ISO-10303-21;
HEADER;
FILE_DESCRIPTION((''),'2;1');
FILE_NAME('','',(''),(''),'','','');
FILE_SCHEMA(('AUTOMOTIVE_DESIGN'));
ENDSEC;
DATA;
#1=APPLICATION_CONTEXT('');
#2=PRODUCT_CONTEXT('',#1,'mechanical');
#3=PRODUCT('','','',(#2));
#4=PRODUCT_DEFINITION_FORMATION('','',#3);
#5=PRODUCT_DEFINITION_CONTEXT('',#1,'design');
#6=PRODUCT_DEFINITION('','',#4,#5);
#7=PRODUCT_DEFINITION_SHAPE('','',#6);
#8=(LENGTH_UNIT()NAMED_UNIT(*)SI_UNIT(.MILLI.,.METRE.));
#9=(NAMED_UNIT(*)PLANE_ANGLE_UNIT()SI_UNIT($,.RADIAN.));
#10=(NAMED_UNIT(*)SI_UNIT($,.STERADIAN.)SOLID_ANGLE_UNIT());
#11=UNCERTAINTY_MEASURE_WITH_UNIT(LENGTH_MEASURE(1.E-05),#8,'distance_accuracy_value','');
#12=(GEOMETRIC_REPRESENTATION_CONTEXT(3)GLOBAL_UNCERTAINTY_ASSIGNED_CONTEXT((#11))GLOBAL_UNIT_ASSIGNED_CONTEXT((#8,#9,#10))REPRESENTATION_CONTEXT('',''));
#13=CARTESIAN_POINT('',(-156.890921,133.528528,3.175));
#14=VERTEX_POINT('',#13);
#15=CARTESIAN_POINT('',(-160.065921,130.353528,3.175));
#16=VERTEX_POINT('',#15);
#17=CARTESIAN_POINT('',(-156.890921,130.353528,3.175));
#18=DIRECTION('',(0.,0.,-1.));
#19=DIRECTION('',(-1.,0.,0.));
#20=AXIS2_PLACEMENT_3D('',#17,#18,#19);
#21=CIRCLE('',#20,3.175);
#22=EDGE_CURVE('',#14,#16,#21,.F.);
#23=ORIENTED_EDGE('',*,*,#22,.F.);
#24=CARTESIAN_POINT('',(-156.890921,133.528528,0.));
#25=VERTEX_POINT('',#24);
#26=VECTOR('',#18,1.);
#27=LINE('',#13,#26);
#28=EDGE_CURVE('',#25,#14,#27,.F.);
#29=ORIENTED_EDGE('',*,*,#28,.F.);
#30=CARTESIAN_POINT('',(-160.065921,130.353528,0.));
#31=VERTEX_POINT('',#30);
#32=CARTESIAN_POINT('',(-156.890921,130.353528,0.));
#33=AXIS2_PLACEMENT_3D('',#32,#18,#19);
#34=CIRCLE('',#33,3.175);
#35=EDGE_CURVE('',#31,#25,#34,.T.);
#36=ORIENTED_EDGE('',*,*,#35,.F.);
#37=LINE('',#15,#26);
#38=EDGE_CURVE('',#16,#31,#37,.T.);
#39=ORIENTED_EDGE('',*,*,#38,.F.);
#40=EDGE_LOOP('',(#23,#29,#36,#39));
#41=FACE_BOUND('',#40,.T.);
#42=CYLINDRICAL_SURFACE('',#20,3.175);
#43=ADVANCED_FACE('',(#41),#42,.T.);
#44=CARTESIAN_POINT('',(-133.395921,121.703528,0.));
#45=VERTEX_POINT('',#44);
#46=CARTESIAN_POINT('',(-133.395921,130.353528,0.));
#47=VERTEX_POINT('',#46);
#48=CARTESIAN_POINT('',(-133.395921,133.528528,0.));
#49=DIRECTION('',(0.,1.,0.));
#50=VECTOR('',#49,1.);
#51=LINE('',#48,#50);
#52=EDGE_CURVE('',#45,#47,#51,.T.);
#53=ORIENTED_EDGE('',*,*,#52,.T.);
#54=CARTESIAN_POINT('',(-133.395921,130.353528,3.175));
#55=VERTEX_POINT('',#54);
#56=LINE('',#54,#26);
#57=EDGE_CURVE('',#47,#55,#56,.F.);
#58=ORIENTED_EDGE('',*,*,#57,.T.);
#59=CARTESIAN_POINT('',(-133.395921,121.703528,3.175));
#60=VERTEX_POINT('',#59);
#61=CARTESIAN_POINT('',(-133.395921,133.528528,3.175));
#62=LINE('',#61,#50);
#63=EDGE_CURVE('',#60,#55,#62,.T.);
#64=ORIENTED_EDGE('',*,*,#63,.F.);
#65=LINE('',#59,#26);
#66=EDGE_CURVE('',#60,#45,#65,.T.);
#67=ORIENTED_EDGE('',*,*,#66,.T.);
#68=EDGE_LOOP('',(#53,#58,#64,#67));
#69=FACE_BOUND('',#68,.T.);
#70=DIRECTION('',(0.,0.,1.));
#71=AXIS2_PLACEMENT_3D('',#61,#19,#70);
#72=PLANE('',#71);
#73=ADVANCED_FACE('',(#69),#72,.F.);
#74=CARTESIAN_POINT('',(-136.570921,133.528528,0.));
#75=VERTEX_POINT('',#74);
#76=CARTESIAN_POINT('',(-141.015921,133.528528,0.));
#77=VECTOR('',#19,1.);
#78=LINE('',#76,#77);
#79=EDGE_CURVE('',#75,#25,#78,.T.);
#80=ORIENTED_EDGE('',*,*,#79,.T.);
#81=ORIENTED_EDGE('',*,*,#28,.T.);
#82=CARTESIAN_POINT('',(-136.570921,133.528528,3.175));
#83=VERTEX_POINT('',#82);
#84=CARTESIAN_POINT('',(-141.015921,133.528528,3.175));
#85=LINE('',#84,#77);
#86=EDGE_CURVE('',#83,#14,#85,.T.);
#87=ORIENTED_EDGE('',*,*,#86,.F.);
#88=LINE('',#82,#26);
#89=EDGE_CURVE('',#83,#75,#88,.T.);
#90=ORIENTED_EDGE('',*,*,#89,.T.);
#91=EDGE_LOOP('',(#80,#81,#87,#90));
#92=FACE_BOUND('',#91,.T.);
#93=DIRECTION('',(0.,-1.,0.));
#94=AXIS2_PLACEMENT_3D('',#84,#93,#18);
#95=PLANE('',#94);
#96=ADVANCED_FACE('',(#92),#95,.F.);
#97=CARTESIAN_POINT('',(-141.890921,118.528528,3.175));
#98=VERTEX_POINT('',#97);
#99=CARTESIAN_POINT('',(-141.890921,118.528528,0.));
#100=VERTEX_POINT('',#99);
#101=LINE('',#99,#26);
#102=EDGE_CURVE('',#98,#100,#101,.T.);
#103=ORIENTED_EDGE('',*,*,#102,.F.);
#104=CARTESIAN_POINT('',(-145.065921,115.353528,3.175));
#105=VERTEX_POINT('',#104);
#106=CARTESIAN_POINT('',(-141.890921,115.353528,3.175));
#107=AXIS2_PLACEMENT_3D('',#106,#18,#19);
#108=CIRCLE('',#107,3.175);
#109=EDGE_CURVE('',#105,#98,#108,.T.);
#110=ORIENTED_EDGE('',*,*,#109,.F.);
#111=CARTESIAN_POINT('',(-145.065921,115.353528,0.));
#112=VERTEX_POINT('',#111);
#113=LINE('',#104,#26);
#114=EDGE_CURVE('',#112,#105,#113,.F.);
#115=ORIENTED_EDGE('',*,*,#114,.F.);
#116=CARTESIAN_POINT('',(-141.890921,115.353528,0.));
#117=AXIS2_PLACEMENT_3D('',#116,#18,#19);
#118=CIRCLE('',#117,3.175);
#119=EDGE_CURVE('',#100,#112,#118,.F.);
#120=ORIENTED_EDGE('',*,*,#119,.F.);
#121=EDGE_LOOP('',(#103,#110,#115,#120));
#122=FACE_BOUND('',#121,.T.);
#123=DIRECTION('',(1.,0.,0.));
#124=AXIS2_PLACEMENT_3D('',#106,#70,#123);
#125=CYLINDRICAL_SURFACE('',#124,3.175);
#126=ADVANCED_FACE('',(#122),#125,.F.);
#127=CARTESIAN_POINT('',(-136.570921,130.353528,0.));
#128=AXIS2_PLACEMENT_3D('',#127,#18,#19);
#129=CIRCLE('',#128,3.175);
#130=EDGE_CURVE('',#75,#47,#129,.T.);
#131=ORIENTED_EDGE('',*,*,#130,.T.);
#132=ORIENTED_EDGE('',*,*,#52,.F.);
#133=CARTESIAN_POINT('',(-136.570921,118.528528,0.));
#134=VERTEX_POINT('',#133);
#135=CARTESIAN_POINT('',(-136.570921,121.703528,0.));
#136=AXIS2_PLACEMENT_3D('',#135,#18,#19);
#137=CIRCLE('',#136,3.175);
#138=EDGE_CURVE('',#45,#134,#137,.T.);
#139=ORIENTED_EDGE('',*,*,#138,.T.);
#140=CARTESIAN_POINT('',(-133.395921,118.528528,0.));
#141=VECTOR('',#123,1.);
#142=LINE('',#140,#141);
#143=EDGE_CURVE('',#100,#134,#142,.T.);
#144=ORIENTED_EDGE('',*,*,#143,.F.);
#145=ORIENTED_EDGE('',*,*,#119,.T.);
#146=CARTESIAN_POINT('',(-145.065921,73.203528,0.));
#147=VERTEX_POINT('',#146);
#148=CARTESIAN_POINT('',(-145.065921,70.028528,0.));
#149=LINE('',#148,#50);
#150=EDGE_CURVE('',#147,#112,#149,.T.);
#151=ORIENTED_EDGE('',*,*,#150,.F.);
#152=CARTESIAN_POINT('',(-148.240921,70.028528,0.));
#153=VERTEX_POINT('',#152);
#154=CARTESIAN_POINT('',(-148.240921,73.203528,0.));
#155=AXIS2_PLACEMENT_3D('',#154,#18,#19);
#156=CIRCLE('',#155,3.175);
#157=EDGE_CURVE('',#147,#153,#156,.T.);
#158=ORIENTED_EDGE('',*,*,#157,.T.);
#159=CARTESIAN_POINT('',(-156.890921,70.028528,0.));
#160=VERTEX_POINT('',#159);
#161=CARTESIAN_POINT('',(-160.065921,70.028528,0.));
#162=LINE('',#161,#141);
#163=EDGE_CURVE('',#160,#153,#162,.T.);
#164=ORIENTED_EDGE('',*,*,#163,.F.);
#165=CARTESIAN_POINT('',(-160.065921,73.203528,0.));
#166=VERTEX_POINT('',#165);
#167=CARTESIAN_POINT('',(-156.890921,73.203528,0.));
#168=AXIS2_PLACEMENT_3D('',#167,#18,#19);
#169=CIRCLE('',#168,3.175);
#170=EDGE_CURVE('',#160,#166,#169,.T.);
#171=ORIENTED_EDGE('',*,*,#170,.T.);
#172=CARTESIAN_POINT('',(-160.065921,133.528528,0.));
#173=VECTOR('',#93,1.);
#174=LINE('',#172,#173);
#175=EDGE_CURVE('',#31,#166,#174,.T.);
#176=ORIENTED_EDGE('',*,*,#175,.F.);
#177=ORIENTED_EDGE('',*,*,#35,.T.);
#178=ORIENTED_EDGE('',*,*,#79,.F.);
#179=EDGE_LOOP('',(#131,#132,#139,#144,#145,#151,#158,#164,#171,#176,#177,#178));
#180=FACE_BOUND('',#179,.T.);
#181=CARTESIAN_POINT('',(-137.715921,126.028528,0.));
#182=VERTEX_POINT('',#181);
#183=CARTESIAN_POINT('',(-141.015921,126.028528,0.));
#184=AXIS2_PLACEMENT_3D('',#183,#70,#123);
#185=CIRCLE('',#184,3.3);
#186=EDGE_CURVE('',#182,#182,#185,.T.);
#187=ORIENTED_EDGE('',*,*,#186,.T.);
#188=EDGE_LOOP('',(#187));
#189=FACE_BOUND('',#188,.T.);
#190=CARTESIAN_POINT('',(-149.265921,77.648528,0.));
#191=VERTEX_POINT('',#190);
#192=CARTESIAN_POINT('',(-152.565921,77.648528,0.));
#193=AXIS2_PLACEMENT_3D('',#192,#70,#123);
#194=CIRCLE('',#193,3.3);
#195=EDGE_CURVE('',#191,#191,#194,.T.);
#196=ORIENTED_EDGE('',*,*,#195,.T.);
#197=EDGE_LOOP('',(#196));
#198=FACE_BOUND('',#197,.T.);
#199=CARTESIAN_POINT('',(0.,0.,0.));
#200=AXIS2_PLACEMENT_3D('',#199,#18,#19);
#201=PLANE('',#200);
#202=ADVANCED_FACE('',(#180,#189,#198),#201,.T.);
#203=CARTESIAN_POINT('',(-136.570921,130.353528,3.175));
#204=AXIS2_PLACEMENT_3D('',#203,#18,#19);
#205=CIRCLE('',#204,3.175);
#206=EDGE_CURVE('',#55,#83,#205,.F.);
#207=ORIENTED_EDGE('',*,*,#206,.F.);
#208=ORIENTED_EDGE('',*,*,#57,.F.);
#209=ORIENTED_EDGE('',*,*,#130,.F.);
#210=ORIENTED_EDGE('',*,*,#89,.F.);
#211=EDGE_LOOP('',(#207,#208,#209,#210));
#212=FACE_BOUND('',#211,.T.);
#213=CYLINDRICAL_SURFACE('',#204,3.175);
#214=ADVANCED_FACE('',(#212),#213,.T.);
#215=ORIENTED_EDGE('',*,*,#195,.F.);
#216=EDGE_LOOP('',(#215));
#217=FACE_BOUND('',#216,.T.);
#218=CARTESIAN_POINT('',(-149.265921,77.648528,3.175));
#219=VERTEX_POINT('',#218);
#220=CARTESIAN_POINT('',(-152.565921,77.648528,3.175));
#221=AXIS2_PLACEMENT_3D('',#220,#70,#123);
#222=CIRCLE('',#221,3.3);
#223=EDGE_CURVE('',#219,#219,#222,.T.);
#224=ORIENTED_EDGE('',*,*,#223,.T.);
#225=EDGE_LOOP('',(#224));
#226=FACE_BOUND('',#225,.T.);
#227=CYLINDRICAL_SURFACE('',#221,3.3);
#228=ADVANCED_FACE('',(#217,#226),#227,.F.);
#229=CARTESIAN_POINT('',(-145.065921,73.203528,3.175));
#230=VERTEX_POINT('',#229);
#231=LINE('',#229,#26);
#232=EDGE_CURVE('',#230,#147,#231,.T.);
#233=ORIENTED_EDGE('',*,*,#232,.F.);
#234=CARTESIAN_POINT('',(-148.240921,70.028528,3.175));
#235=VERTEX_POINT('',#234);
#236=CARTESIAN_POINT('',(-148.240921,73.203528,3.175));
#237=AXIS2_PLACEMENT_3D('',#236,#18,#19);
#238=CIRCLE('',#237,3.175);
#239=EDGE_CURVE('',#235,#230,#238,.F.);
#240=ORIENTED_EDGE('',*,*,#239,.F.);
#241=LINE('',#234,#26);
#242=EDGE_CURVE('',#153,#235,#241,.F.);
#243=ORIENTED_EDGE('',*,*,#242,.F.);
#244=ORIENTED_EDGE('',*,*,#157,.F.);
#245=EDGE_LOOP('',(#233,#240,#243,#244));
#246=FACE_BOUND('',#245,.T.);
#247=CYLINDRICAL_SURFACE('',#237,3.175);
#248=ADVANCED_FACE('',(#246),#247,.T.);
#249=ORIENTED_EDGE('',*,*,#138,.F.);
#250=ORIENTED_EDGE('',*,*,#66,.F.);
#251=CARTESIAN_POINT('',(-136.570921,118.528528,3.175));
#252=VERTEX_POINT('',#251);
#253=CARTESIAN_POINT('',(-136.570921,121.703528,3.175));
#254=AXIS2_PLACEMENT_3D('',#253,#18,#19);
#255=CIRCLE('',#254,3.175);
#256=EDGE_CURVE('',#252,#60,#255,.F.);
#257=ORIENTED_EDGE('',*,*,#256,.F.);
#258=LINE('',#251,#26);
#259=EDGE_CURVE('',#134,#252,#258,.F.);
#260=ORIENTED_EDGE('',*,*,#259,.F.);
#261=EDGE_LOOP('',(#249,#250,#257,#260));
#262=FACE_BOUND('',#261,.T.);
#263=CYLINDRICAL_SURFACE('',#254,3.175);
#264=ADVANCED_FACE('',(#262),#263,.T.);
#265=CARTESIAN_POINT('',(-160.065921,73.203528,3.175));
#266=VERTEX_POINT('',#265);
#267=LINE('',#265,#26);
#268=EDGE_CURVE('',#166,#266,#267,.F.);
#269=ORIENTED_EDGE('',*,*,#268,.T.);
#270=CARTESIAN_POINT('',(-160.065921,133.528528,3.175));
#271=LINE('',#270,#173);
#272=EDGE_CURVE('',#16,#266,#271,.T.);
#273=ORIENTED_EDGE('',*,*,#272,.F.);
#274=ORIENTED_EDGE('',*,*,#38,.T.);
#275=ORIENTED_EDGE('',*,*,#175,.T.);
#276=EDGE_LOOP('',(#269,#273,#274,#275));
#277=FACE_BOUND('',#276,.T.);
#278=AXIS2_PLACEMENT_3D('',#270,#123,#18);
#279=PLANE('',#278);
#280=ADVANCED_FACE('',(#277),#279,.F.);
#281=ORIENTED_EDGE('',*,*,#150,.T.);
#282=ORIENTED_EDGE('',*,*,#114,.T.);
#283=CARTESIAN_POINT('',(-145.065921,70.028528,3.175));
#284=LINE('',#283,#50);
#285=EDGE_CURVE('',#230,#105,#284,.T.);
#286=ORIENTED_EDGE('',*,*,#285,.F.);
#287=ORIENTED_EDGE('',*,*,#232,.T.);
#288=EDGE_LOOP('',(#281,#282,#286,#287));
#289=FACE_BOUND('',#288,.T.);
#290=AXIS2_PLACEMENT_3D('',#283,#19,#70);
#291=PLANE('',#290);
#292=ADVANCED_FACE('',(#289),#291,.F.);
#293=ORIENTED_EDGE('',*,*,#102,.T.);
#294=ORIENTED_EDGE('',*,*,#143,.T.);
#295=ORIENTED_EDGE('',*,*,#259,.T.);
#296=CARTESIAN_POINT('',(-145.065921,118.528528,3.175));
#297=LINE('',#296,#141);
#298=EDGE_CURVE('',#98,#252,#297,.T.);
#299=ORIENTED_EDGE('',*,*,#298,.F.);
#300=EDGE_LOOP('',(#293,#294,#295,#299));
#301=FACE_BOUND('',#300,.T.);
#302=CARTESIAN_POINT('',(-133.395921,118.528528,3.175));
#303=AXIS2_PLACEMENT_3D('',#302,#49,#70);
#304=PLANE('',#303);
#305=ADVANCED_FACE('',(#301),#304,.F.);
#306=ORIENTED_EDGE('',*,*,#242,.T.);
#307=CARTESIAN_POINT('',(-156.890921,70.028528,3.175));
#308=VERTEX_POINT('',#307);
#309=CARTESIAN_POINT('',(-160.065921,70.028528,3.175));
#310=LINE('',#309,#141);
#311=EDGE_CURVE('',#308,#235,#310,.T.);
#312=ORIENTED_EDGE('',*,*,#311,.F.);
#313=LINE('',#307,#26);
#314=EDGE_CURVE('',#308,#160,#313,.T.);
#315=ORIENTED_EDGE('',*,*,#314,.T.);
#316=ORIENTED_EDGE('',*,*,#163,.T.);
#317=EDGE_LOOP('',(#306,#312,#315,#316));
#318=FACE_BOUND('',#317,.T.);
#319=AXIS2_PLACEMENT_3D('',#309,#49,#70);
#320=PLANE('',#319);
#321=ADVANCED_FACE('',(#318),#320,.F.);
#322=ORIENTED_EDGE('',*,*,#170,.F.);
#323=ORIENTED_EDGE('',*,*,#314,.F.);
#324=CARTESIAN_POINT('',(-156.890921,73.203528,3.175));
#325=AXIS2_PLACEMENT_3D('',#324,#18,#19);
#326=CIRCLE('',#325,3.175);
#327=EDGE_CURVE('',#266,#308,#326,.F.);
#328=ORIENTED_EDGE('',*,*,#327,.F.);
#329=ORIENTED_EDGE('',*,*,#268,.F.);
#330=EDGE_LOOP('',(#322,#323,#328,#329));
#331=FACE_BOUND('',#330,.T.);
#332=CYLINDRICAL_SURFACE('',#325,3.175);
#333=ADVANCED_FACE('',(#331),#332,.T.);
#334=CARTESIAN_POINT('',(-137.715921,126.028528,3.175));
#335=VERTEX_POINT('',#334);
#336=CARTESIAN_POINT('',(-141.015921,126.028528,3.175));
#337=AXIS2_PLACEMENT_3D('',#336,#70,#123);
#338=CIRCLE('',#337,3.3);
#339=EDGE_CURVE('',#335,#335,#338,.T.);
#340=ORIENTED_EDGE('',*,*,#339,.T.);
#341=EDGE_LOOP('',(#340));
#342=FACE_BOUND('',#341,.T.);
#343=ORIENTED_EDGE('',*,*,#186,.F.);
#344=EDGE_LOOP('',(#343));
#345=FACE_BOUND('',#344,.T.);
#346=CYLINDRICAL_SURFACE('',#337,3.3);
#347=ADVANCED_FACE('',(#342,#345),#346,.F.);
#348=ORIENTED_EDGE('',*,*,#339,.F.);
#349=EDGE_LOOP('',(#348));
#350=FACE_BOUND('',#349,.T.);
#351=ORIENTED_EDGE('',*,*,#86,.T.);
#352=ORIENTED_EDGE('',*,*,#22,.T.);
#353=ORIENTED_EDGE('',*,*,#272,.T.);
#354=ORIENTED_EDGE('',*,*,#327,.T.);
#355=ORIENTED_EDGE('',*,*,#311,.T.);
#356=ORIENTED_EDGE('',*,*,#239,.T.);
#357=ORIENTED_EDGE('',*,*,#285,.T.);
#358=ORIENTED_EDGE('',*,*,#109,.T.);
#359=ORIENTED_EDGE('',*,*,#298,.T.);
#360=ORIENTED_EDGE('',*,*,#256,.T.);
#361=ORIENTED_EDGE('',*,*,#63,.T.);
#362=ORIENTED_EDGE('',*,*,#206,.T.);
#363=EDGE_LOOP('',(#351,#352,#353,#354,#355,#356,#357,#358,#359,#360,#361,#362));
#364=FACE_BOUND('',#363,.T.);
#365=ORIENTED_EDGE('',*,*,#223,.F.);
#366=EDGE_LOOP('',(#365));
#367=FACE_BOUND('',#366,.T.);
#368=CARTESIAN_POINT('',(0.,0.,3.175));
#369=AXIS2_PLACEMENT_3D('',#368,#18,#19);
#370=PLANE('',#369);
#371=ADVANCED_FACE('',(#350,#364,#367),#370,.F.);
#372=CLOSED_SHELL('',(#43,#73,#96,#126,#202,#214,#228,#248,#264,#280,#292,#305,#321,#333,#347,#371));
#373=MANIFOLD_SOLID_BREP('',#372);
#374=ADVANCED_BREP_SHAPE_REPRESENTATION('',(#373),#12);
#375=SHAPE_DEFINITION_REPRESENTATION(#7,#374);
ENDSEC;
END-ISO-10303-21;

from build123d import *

# Parameters (mm, degrees)
BOSS_EXTRUDE1_DEPTH  = 3.175
M6_CLEARANCE_HOLE1_D = 6.6
FILLET1_R            = 3.175


with BuildPart() as part:
    # Sketch1 → Boss-Extrude1 (new body)
    with BuildSketch(Plane.XY):
        Polygon((-141.015921324, 133.528527902), (-133.395921324, 133.528527902), (-133.395921324, 118.528527902), (-141.015921324, 118.528527902), (-145.065921324, 118.528527902), (-145.065921324, 70.028527902), (-160.065921324, 70.028527902), (-160.065921324, 133.528527902), align=None)
    extrude(amount=BOSS_EXTRUDE1_DEPTH)

    # M6 Clearance Hole1 (through all)
    with Locations(Plane.XY.offset(3.175)):
        with Locations((-141.015921324, 126.028527902), (-152.565921324, 77.648527902)):
            Hole(M6_CLEARANCE_HOLE1_D / 2)

    # Fillet1
    fillet1_edges = [part.edges().sort_by_distance(p)[0] for p in [
        (-145.065921324, 118.528527902, 1.5875),
        (-145.065921324, 70.028527902, 1.5875),
        (-160.065921324, 70.028527902, 1.5875),
        (-160.065921324, 133.528527902, 1.5875),
        (-133.395921324, 133.528527902, 1.5875),
        (-133.395921324, 118.528527902, 1.5875),
    ]]
    fillet(fillet1_edges, radius=FILLET1_R)


solid = part.part
